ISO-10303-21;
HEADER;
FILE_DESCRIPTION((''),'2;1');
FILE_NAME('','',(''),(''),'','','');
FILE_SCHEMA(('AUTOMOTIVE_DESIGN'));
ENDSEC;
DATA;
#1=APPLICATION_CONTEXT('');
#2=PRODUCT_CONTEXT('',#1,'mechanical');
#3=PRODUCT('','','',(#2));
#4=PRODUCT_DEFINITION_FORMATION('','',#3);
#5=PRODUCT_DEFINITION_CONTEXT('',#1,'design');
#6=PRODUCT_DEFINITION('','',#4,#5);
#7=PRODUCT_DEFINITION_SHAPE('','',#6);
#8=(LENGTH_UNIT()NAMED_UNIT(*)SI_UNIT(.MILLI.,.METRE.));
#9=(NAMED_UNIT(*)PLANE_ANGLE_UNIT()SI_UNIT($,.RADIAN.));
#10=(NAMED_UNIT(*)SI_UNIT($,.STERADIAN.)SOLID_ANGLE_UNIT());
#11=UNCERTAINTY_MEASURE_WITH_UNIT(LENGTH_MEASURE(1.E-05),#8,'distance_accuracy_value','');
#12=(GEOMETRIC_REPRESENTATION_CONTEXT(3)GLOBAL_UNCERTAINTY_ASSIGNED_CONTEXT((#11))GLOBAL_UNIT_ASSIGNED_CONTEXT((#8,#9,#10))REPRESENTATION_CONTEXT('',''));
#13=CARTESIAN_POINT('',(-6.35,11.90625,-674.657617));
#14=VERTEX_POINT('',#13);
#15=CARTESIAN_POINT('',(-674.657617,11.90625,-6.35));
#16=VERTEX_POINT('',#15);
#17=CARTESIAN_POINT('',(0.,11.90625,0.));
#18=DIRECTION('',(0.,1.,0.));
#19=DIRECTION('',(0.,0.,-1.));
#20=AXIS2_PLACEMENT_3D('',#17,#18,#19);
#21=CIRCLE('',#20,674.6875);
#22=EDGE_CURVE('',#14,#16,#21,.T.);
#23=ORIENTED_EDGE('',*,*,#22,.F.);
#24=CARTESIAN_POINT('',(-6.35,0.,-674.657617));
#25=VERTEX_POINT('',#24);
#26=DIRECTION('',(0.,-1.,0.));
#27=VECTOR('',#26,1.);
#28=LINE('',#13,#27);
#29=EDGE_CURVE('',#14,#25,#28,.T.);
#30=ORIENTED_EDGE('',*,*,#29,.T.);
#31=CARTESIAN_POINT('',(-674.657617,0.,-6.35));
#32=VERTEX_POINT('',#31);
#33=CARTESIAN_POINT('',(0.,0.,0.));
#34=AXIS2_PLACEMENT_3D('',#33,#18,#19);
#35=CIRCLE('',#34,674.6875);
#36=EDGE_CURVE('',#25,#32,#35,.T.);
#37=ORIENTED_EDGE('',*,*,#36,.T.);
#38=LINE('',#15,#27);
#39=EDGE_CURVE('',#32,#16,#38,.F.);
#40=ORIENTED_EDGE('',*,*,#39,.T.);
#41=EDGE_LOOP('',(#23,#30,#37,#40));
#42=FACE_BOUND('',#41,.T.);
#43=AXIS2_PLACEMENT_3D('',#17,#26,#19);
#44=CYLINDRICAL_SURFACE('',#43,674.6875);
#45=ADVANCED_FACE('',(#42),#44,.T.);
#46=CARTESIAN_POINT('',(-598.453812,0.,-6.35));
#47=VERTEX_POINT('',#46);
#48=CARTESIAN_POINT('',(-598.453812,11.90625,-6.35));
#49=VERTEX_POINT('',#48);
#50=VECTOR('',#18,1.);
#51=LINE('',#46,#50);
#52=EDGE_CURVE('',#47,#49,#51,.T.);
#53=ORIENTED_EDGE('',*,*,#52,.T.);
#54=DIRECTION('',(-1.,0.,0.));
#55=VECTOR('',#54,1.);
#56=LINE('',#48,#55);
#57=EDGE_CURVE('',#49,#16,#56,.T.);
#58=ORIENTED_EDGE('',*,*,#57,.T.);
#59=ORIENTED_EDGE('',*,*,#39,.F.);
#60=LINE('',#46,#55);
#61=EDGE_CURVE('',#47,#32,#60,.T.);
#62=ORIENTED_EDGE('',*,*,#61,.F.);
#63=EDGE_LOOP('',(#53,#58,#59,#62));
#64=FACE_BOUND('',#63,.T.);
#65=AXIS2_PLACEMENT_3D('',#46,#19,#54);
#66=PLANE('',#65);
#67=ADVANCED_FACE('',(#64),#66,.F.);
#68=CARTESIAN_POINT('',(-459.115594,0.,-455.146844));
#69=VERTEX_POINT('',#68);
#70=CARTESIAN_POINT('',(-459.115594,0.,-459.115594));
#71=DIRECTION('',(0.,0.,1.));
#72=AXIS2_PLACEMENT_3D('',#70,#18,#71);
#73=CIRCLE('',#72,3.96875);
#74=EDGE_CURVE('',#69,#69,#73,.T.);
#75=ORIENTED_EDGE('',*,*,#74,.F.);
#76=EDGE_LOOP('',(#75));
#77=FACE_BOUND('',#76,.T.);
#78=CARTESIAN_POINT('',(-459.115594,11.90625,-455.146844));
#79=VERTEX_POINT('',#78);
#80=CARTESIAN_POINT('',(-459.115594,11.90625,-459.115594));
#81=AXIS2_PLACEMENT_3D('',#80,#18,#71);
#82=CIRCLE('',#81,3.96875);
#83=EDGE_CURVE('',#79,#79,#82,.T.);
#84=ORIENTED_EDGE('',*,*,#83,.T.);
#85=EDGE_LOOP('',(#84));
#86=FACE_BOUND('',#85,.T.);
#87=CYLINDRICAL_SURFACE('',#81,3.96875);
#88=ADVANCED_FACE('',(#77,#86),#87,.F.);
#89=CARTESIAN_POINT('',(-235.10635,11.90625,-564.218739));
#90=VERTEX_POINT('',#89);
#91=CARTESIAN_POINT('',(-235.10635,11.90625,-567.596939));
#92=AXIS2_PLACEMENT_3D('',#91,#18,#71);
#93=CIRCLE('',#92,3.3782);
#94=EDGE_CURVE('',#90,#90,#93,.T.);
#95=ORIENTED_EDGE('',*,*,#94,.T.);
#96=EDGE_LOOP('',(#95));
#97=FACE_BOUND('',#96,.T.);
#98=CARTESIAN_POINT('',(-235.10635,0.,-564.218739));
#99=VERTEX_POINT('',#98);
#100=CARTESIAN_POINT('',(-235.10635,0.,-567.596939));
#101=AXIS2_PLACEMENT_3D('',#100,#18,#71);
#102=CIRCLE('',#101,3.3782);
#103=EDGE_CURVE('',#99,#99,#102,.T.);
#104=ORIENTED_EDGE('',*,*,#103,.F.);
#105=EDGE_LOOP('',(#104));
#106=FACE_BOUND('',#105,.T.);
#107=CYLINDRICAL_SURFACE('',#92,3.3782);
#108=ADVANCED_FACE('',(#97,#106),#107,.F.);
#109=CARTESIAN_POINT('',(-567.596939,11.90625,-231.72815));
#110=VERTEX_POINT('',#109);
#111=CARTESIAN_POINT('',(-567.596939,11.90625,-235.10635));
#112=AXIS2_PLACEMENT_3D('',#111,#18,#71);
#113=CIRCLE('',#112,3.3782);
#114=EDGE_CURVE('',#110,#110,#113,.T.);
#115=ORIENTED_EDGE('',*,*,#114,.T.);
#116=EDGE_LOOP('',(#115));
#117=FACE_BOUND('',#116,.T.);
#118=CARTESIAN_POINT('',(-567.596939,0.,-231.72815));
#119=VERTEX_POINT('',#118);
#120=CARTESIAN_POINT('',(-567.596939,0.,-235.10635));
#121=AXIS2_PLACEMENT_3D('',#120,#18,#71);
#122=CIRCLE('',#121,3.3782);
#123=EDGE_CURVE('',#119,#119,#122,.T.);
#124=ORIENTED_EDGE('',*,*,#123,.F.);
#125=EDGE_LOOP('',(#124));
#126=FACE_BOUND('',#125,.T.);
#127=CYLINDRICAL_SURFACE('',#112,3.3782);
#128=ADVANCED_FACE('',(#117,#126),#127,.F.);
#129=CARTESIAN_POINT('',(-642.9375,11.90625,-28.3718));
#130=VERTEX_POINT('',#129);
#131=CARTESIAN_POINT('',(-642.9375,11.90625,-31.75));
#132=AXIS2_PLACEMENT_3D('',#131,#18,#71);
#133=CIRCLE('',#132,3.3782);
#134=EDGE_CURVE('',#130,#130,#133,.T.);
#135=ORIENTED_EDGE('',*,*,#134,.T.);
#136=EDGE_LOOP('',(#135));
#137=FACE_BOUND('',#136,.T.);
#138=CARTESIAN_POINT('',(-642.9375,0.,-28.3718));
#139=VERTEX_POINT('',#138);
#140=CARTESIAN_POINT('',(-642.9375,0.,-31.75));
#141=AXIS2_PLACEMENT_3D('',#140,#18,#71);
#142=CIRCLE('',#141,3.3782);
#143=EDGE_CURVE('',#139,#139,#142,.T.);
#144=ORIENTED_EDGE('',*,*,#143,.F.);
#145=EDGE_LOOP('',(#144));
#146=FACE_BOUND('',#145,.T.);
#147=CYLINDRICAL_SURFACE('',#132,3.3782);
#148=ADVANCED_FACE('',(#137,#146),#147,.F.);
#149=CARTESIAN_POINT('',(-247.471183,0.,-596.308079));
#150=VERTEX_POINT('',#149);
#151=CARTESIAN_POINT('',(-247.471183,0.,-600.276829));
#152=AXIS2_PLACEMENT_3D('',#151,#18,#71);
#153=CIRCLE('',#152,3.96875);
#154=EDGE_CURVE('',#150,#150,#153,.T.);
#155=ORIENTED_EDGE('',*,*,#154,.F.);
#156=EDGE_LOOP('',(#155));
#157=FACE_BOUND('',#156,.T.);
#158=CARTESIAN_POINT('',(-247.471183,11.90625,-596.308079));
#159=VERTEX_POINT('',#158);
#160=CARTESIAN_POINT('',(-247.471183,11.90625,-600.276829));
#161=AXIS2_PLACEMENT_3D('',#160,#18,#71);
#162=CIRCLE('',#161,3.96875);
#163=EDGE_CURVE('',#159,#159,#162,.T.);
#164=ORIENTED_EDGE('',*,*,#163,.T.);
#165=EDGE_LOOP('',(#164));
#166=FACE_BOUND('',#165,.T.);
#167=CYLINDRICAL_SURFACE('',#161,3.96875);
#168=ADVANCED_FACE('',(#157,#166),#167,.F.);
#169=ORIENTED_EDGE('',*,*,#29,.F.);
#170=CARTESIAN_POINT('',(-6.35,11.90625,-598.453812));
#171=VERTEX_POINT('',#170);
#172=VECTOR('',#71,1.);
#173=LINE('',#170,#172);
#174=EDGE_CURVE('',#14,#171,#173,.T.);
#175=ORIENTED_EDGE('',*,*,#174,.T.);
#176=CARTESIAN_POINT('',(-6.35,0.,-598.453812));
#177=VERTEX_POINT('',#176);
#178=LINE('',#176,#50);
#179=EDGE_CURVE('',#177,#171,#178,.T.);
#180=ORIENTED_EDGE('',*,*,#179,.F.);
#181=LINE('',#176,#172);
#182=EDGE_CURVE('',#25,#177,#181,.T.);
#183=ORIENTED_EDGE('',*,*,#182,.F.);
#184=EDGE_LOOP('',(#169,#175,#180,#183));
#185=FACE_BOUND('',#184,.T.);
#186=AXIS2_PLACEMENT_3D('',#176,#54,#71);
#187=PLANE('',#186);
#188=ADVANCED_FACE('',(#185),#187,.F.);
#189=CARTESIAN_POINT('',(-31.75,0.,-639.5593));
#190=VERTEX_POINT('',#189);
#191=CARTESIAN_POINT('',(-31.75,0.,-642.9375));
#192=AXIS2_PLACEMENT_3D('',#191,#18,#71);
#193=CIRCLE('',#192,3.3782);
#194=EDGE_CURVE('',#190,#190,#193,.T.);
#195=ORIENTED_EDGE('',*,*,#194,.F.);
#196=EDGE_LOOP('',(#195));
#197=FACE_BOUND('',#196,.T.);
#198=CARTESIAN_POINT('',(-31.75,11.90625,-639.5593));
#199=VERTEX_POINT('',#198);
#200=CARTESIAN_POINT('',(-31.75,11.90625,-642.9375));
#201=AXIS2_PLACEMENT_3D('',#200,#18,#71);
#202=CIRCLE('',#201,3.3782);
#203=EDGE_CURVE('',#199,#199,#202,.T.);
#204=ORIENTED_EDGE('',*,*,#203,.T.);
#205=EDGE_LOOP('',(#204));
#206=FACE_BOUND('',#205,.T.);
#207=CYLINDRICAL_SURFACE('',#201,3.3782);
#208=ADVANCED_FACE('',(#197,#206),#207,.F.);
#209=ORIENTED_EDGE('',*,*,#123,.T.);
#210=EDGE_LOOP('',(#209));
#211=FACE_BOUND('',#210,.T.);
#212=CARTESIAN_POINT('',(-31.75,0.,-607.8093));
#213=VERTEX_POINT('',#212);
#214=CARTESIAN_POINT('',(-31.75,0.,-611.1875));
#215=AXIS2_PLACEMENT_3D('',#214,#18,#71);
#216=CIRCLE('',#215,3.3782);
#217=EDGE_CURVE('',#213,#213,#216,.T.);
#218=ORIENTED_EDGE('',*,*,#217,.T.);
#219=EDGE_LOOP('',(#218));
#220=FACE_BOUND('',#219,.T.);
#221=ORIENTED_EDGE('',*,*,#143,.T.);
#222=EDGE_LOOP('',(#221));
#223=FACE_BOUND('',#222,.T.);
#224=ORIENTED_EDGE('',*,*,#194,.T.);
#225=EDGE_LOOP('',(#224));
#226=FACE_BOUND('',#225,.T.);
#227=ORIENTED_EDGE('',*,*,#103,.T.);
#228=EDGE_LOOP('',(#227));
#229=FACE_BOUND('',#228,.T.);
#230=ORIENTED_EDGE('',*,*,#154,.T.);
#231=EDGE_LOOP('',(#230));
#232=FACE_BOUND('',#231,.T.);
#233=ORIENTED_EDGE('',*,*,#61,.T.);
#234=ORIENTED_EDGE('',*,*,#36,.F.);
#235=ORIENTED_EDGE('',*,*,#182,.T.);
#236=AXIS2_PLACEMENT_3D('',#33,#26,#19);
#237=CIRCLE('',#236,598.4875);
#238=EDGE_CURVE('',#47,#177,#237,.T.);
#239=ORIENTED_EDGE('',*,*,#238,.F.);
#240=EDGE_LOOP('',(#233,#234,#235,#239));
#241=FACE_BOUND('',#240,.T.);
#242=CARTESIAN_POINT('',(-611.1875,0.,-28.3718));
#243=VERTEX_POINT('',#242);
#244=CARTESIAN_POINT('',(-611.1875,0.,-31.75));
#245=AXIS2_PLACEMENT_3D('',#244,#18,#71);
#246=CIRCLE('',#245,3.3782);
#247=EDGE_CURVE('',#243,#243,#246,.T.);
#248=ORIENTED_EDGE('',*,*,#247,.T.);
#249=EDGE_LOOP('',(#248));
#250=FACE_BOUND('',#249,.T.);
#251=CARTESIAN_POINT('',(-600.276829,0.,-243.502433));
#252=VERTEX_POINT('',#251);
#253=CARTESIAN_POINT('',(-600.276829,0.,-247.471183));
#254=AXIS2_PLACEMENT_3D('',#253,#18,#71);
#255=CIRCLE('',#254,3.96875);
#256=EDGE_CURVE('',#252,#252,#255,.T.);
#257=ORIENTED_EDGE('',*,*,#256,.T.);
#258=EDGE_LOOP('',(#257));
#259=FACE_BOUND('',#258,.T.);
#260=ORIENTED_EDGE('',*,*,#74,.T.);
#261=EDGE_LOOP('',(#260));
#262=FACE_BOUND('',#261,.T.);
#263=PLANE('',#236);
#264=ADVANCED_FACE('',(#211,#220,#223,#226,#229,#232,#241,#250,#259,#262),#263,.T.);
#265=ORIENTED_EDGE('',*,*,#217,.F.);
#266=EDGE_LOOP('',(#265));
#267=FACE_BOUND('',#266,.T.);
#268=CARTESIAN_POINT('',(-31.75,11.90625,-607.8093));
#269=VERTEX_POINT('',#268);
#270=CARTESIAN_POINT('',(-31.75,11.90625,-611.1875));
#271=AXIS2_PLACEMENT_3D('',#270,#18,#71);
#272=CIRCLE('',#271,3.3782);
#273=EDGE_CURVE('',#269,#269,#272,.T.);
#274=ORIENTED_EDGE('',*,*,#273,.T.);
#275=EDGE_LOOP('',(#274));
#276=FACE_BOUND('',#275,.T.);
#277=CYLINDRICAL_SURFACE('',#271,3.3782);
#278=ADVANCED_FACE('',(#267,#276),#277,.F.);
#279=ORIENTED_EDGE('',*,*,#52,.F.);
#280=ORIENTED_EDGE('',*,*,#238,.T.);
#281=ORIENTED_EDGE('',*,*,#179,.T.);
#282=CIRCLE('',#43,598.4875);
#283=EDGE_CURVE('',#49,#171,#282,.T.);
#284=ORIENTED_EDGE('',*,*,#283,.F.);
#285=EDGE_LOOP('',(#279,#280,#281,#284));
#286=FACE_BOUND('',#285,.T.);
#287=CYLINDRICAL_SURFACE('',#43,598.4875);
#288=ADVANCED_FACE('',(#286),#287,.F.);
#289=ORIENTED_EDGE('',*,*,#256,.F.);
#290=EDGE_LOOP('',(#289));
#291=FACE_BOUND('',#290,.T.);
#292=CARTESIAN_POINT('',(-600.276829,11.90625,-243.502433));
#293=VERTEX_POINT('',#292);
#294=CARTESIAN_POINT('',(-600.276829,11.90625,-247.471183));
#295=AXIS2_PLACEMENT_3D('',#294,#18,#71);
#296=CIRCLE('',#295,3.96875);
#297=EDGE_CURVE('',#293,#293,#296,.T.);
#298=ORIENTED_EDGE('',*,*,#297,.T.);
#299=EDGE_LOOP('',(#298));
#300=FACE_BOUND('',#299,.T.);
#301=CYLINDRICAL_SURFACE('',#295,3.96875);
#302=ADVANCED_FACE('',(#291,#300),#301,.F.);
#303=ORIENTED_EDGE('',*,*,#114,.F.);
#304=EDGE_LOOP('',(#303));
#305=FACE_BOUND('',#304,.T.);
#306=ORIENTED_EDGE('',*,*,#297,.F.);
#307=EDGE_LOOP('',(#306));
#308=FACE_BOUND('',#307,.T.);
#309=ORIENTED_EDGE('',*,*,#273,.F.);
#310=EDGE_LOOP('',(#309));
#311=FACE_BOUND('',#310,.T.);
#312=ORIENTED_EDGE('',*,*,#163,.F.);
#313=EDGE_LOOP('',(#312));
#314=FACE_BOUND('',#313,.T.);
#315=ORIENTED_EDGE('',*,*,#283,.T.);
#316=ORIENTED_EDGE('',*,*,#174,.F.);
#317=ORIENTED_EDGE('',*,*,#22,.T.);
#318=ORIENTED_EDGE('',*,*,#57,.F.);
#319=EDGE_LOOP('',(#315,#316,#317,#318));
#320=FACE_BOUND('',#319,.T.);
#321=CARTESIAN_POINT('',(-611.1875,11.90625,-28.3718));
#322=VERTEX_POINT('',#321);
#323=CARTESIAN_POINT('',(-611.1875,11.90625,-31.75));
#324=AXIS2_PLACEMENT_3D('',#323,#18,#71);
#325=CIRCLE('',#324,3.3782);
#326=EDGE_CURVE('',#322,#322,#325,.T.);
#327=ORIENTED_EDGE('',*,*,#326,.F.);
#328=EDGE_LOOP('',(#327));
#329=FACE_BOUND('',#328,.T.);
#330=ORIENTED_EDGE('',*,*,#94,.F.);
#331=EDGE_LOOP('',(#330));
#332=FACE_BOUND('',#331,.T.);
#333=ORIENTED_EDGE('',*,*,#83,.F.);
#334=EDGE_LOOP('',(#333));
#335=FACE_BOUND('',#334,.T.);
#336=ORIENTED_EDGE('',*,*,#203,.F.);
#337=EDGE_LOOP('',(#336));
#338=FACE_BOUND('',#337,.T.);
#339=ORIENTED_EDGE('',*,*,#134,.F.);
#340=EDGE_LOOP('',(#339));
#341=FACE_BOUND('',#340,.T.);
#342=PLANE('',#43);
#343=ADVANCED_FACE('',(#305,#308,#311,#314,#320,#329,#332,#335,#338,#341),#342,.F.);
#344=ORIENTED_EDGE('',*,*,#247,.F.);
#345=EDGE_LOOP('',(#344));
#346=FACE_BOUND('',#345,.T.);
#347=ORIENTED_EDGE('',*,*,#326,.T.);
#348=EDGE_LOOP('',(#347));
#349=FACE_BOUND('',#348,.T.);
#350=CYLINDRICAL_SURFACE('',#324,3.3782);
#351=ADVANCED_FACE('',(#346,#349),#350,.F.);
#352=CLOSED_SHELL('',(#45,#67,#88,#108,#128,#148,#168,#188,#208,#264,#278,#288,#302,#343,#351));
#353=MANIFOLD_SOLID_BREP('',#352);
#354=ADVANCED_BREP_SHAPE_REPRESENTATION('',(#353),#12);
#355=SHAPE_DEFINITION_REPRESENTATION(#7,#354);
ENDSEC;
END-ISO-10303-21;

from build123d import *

# Parameters (mm, degrees)
BOSS_EXTRUDE1_DEPTH            = 11.90625
SKETCH2_W                      = 12.7
SKETCH2_H                      = 38.133687951
SKETCH2_W_2                    = 38.133687951
SKETCH2_H_2                    = 12.7
CUT_EXTRUDE1_DEPTH             = 955.226495179
F_1_4_CLEARANCE_HOLE2_D        = 6.7564
SKETCH8_W                      = 674.6875
SKETCH8_H                      = 674.6875
CUT_EXTRUDE4_DEPTH             = 955.226495179
F_5_16_0_3125_DIAMETER_HOLE1_D = 7.9375
SKETCH14_W                     = 6.35
SKETCH14_H                     = 76.233687951
SKETCH14_W_2                   = 76.233687951
SKETCH14_H_2                   = 6.35
CUT_EXTRUDE7_DEPTH             = 955.226495179


with BuildPart() as part:
    # Sketch1 → Boss-Extrude1 (new body)
    with BuildSketch(Plane(origin=(0, 0, 0), x_dir=(1, 0, 0), z_dir=(0, 1, 0))):
        with BuildLine():
            Line((-598.4875, 0), (-674.6875, 0))
            ThreePointArc((-674.6875, 0), (0, 674.6875), (674.6875, 0))
            Line((674.6875, 0), (598.4875, 0))
            ThreePointArc((598.4875, 0), (0, 598.4875), (-598.4875, 0))
        make_face()
    extrude(amount=BOSS_EXTRUDE1_DEPTH)

    # Sketch2 → Cut-Extrude1 (cut, through all)
    with BuildSketch(Plane(origin=(0, 11.90625, 0), x_dir=(1, 0, 0), z_dir=(0, 1, 0))):
        with Locations((0, 617.520656025)):
            Rectangle(SKETCH2_W, SKETCH2_H)
        with Locations((617.520656025, 0)):
            Rectangle(SKETCH2_W_2, SKETCH2_H_2)
        with Locations((0, -617.520656025)):
            Rectangle(SKETCH2_W, SKETCH2_H)
        with Locations((-617.520656025, 0)):
            Rectangle(SKETCH2_W_2, SKETCH2_H_2)
    extrude(amount=-CUT_EXTRUDE1_DEPTH, mode=Mode.SUBTRACT)

    # 1/4 Clearance Hole2 (through all)
    with Locations(Plane(origin=(0, 11.90625, 0), x_dir=(1, 0, 0), z_dir=(0, 1, 0))):
        with Locations((-31.75, 642.9375), (-31.75, 611.1875), (-611.1875, 31.75), (-642.9375, 31.75), (-567.596939292, 235.106350216), (-235.106350216, 567.596939292)):
            Hole(F_1_4_CLEARANCE_HOLE2_D / 2)

    # Sketch8 → Cut-Extrude4 (cut, through all)
    with BuildSketch(Plane(origin=(0, 11.90625, 0), x_dir=(1, 0, 0), z_dir=(0, 1, 0))):
        with Locations((337.34375, 337.34375)):
            Rectangle(SKETCH8_W, SKETCH8_H)
    extrude(amount=-CUT_EXTRUDE4_DEPTH, mode=Mode.SUBTRACT)

    # 5/16 (0.3125) Diameter Hole1 (through all)
    with Locations(Plane(origin=(0, 11.90625, 0), x_dir=(1, 0, 0), z_dir=(0, 1, 0))):
        with Locations((-247.471182654, 600.276828982), (-459.11559419, 459.11559419), (-600.276828982, 247.471182654)):
            Hole(F_5_16_0_3125_DIAMETER_HOLE1_D / 2)

    # Sketch14 → Cut-Extrude7 (cut, through all)
    with BuildSketch(Plane(origin=(0, 11.90625, 0), x_dir=(1, 0, 0), z_dir=(0, 1, 0))):
        with Locations((-3.175, 636.570656025)):
            Rectangle(SKETCH14_W, SKETCH14_H)
        with Locations((-636.570656025, 3.175)):
            Rectangle(SKETCH14_W_2, SKETCH14_H_2)
    extrude(amount=-CUT_EXTRUDE7_DEPTH, mode=Mode.SUBTRACT)


solid = part.part
